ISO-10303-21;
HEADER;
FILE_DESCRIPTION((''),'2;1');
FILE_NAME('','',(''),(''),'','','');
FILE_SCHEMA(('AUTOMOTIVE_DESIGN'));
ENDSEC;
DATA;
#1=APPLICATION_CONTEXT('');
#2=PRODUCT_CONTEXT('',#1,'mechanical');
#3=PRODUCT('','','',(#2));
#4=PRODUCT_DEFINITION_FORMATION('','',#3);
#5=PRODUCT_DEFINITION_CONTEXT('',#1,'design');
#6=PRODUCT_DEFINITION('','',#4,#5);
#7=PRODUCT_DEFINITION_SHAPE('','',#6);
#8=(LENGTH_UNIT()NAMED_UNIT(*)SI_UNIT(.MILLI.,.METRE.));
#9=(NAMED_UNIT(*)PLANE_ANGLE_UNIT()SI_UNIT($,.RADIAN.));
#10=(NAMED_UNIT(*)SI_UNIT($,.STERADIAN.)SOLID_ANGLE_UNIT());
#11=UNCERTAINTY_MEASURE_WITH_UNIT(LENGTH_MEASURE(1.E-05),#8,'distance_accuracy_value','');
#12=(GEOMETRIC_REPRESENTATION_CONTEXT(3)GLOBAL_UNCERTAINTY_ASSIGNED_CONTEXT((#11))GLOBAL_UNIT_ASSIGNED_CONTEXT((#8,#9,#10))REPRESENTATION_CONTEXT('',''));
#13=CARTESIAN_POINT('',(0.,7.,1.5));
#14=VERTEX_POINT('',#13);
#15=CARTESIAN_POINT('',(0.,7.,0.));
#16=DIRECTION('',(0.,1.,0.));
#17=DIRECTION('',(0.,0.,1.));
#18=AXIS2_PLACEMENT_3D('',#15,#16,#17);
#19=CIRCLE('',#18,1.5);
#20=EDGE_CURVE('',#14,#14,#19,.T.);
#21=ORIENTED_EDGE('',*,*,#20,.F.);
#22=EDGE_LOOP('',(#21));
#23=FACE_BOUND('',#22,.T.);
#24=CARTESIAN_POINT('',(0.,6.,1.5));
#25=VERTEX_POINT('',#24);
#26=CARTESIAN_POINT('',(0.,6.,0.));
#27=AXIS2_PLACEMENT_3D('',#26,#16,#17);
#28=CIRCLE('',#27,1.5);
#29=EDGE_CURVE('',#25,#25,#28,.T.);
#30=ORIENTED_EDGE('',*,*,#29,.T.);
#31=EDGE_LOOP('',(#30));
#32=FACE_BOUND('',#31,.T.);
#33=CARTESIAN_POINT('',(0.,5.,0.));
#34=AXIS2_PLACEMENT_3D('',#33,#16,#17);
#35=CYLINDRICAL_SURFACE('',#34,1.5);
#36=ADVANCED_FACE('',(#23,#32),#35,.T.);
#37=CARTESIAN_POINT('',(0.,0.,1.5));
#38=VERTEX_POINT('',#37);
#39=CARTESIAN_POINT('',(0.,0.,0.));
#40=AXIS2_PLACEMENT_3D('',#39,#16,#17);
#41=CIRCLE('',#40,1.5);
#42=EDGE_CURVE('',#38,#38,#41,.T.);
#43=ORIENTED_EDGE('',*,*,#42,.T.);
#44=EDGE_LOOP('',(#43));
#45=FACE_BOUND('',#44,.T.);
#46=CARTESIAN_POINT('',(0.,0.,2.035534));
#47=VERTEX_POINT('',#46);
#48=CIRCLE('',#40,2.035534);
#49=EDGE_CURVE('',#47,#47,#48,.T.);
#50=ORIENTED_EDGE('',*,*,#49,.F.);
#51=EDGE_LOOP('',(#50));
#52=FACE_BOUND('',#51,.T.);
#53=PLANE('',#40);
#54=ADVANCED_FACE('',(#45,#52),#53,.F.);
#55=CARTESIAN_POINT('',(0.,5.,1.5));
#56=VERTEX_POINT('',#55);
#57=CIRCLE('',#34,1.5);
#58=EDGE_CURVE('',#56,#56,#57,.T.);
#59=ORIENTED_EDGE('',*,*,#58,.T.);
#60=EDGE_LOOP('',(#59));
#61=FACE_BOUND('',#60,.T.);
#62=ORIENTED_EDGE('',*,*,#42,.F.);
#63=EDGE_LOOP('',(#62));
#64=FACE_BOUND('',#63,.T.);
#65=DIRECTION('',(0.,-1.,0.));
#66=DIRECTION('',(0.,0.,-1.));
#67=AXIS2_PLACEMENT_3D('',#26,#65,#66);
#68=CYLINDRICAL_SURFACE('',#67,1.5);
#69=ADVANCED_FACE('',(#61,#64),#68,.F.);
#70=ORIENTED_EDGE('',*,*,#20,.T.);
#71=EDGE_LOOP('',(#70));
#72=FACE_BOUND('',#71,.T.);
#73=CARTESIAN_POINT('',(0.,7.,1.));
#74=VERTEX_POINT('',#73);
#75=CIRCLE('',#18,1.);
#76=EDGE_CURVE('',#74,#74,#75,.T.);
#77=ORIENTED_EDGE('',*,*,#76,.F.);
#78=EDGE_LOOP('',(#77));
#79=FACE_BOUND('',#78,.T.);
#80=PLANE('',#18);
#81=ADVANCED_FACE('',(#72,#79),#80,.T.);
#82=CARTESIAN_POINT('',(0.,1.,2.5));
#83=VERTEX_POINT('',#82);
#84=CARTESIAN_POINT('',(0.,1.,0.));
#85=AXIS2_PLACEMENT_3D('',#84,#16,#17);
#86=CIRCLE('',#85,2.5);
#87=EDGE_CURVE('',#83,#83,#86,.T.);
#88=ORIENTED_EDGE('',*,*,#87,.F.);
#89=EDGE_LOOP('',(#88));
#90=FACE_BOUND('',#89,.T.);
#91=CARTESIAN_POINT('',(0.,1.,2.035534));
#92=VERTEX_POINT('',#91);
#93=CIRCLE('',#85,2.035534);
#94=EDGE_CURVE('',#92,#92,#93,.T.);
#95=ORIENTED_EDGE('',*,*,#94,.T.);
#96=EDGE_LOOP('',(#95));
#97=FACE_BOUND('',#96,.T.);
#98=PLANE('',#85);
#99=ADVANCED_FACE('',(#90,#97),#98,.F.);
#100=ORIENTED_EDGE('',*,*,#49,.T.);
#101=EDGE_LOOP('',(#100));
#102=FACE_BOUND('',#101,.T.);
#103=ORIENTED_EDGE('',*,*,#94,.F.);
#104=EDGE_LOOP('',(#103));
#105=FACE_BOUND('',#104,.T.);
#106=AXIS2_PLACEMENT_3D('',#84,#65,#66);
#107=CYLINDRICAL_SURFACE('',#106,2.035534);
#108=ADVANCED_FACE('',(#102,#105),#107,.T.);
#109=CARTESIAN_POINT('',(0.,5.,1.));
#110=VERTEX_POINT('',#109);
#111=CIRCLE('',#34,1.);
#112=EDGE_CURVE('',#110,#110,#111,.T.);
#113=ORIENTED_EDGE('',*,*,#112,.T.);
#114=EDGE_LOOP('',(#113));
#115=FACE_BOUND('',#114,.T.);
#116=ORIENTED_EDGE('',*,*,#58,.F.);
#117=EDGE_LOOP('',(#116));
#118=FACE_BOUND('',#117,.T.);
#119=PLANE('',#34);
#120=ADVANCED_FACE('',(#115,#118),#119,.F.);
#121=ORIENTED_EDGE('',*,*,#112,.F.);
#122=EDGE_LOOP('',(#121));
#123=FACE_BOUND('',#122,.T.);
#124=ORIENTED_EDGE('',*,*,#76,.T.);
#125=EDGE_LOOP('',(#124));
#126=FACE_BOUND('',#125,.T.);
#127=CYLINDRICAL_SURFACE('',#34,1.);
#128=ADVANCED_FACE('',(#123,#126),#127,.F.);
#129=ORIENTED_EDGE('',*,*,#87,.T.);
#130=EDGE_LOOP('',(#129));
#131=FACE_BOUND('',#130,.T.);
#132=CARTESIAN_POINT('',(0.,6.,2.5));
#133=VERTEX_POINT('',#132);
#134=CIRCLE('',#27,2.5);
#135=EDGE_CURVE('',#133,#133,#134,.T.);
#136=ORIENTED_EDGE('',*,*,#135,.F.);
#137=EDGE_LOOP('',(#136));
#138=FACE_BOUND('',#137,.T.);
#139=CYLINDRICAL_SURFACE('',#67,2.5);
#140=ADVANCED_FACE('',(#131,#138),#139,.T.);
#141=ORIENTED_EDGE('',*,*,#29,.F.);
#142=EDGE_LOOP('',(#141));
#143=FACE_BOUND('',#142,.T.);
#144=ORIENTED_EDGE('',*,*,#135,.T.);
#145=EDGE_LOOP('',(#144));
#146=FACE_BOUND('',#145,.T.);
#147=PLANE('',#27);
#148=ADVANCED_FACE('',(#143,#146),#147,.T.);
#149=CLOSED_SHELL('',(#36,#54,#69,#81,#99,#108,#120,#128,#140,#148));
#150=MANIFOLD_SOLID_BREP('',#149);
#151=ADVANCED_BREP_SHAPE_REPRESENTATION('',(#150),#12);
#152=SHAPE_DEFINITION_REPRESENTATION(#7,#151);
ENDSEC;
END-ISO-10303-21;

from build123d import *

# Parameters (mm, degrees)
SKETCH1_R                = 2.5
SKETCH1_R_2              = 1.5
BOSS_EXTRUDE1_DEPTH      = 6
SKETCH1_3_R              = 2.5
SKETCH1_3_R_2            = 2.035533906
CUT_EXTRUDE1_DEPTH       = 1
BOSS_EXTRUDE3_DEPTH      = 1
BOSS_EXTRUDE3_DEPTH_BACK = 1
SKETCH2_R                = 1.5
SKETCH2_R_2              = 1


with BuildPart() as part:
    # Sketch1 → Boss-Extrude1 (new body)
    with BuildSketch(Plane(origin=(0, 0, 0), x_dir=(1, 0, 0), z_dir=(0, 1, 0))):
        Circle(SKETCH1_R)
        Circle(SKETCH1_R_2, mode=Mode.SUBTRACT)
    extrude(amount=BOSS_EXTRUDE1_DEPTH)

    # Sketch1<3> → Cut-Extrude1 (cut)
    with BuildSketch(Plane(origin=(0, 0, 0), x_dir=(1, 0, 0), z_dir=(0, 1, 0))):
        Circle(SKETCH1_3_R)
        Circle(SKETCH1_3_R_2, mode=Mode.SUBTRACT)
    extrude(amount=CUT_EXTRUDE1_DEPTH, mode=Mode.SUBTRACT)

    # Sketch2 → Boss-Extrude3 (add, two sides: drawn at the far end of the back side and taken through both)
    with BuildSketch(Plane(origin=(0, 6, 0), x_dir=(1, 0, 0), z_dir=(0, 1, 0)).offset(-BOSS_EXTRUDE3_DEPTH_BACK)):
        Circle(SKETCH2_R)
        Circle(SKETCH2_R_2, mode=Mode.SUBTRACT)
    extrude(amount=BOSS_EXTRUDE3_DEPTH + BOSS_EXTRUDE3_DEPTH_BACK)


solid = part.part
